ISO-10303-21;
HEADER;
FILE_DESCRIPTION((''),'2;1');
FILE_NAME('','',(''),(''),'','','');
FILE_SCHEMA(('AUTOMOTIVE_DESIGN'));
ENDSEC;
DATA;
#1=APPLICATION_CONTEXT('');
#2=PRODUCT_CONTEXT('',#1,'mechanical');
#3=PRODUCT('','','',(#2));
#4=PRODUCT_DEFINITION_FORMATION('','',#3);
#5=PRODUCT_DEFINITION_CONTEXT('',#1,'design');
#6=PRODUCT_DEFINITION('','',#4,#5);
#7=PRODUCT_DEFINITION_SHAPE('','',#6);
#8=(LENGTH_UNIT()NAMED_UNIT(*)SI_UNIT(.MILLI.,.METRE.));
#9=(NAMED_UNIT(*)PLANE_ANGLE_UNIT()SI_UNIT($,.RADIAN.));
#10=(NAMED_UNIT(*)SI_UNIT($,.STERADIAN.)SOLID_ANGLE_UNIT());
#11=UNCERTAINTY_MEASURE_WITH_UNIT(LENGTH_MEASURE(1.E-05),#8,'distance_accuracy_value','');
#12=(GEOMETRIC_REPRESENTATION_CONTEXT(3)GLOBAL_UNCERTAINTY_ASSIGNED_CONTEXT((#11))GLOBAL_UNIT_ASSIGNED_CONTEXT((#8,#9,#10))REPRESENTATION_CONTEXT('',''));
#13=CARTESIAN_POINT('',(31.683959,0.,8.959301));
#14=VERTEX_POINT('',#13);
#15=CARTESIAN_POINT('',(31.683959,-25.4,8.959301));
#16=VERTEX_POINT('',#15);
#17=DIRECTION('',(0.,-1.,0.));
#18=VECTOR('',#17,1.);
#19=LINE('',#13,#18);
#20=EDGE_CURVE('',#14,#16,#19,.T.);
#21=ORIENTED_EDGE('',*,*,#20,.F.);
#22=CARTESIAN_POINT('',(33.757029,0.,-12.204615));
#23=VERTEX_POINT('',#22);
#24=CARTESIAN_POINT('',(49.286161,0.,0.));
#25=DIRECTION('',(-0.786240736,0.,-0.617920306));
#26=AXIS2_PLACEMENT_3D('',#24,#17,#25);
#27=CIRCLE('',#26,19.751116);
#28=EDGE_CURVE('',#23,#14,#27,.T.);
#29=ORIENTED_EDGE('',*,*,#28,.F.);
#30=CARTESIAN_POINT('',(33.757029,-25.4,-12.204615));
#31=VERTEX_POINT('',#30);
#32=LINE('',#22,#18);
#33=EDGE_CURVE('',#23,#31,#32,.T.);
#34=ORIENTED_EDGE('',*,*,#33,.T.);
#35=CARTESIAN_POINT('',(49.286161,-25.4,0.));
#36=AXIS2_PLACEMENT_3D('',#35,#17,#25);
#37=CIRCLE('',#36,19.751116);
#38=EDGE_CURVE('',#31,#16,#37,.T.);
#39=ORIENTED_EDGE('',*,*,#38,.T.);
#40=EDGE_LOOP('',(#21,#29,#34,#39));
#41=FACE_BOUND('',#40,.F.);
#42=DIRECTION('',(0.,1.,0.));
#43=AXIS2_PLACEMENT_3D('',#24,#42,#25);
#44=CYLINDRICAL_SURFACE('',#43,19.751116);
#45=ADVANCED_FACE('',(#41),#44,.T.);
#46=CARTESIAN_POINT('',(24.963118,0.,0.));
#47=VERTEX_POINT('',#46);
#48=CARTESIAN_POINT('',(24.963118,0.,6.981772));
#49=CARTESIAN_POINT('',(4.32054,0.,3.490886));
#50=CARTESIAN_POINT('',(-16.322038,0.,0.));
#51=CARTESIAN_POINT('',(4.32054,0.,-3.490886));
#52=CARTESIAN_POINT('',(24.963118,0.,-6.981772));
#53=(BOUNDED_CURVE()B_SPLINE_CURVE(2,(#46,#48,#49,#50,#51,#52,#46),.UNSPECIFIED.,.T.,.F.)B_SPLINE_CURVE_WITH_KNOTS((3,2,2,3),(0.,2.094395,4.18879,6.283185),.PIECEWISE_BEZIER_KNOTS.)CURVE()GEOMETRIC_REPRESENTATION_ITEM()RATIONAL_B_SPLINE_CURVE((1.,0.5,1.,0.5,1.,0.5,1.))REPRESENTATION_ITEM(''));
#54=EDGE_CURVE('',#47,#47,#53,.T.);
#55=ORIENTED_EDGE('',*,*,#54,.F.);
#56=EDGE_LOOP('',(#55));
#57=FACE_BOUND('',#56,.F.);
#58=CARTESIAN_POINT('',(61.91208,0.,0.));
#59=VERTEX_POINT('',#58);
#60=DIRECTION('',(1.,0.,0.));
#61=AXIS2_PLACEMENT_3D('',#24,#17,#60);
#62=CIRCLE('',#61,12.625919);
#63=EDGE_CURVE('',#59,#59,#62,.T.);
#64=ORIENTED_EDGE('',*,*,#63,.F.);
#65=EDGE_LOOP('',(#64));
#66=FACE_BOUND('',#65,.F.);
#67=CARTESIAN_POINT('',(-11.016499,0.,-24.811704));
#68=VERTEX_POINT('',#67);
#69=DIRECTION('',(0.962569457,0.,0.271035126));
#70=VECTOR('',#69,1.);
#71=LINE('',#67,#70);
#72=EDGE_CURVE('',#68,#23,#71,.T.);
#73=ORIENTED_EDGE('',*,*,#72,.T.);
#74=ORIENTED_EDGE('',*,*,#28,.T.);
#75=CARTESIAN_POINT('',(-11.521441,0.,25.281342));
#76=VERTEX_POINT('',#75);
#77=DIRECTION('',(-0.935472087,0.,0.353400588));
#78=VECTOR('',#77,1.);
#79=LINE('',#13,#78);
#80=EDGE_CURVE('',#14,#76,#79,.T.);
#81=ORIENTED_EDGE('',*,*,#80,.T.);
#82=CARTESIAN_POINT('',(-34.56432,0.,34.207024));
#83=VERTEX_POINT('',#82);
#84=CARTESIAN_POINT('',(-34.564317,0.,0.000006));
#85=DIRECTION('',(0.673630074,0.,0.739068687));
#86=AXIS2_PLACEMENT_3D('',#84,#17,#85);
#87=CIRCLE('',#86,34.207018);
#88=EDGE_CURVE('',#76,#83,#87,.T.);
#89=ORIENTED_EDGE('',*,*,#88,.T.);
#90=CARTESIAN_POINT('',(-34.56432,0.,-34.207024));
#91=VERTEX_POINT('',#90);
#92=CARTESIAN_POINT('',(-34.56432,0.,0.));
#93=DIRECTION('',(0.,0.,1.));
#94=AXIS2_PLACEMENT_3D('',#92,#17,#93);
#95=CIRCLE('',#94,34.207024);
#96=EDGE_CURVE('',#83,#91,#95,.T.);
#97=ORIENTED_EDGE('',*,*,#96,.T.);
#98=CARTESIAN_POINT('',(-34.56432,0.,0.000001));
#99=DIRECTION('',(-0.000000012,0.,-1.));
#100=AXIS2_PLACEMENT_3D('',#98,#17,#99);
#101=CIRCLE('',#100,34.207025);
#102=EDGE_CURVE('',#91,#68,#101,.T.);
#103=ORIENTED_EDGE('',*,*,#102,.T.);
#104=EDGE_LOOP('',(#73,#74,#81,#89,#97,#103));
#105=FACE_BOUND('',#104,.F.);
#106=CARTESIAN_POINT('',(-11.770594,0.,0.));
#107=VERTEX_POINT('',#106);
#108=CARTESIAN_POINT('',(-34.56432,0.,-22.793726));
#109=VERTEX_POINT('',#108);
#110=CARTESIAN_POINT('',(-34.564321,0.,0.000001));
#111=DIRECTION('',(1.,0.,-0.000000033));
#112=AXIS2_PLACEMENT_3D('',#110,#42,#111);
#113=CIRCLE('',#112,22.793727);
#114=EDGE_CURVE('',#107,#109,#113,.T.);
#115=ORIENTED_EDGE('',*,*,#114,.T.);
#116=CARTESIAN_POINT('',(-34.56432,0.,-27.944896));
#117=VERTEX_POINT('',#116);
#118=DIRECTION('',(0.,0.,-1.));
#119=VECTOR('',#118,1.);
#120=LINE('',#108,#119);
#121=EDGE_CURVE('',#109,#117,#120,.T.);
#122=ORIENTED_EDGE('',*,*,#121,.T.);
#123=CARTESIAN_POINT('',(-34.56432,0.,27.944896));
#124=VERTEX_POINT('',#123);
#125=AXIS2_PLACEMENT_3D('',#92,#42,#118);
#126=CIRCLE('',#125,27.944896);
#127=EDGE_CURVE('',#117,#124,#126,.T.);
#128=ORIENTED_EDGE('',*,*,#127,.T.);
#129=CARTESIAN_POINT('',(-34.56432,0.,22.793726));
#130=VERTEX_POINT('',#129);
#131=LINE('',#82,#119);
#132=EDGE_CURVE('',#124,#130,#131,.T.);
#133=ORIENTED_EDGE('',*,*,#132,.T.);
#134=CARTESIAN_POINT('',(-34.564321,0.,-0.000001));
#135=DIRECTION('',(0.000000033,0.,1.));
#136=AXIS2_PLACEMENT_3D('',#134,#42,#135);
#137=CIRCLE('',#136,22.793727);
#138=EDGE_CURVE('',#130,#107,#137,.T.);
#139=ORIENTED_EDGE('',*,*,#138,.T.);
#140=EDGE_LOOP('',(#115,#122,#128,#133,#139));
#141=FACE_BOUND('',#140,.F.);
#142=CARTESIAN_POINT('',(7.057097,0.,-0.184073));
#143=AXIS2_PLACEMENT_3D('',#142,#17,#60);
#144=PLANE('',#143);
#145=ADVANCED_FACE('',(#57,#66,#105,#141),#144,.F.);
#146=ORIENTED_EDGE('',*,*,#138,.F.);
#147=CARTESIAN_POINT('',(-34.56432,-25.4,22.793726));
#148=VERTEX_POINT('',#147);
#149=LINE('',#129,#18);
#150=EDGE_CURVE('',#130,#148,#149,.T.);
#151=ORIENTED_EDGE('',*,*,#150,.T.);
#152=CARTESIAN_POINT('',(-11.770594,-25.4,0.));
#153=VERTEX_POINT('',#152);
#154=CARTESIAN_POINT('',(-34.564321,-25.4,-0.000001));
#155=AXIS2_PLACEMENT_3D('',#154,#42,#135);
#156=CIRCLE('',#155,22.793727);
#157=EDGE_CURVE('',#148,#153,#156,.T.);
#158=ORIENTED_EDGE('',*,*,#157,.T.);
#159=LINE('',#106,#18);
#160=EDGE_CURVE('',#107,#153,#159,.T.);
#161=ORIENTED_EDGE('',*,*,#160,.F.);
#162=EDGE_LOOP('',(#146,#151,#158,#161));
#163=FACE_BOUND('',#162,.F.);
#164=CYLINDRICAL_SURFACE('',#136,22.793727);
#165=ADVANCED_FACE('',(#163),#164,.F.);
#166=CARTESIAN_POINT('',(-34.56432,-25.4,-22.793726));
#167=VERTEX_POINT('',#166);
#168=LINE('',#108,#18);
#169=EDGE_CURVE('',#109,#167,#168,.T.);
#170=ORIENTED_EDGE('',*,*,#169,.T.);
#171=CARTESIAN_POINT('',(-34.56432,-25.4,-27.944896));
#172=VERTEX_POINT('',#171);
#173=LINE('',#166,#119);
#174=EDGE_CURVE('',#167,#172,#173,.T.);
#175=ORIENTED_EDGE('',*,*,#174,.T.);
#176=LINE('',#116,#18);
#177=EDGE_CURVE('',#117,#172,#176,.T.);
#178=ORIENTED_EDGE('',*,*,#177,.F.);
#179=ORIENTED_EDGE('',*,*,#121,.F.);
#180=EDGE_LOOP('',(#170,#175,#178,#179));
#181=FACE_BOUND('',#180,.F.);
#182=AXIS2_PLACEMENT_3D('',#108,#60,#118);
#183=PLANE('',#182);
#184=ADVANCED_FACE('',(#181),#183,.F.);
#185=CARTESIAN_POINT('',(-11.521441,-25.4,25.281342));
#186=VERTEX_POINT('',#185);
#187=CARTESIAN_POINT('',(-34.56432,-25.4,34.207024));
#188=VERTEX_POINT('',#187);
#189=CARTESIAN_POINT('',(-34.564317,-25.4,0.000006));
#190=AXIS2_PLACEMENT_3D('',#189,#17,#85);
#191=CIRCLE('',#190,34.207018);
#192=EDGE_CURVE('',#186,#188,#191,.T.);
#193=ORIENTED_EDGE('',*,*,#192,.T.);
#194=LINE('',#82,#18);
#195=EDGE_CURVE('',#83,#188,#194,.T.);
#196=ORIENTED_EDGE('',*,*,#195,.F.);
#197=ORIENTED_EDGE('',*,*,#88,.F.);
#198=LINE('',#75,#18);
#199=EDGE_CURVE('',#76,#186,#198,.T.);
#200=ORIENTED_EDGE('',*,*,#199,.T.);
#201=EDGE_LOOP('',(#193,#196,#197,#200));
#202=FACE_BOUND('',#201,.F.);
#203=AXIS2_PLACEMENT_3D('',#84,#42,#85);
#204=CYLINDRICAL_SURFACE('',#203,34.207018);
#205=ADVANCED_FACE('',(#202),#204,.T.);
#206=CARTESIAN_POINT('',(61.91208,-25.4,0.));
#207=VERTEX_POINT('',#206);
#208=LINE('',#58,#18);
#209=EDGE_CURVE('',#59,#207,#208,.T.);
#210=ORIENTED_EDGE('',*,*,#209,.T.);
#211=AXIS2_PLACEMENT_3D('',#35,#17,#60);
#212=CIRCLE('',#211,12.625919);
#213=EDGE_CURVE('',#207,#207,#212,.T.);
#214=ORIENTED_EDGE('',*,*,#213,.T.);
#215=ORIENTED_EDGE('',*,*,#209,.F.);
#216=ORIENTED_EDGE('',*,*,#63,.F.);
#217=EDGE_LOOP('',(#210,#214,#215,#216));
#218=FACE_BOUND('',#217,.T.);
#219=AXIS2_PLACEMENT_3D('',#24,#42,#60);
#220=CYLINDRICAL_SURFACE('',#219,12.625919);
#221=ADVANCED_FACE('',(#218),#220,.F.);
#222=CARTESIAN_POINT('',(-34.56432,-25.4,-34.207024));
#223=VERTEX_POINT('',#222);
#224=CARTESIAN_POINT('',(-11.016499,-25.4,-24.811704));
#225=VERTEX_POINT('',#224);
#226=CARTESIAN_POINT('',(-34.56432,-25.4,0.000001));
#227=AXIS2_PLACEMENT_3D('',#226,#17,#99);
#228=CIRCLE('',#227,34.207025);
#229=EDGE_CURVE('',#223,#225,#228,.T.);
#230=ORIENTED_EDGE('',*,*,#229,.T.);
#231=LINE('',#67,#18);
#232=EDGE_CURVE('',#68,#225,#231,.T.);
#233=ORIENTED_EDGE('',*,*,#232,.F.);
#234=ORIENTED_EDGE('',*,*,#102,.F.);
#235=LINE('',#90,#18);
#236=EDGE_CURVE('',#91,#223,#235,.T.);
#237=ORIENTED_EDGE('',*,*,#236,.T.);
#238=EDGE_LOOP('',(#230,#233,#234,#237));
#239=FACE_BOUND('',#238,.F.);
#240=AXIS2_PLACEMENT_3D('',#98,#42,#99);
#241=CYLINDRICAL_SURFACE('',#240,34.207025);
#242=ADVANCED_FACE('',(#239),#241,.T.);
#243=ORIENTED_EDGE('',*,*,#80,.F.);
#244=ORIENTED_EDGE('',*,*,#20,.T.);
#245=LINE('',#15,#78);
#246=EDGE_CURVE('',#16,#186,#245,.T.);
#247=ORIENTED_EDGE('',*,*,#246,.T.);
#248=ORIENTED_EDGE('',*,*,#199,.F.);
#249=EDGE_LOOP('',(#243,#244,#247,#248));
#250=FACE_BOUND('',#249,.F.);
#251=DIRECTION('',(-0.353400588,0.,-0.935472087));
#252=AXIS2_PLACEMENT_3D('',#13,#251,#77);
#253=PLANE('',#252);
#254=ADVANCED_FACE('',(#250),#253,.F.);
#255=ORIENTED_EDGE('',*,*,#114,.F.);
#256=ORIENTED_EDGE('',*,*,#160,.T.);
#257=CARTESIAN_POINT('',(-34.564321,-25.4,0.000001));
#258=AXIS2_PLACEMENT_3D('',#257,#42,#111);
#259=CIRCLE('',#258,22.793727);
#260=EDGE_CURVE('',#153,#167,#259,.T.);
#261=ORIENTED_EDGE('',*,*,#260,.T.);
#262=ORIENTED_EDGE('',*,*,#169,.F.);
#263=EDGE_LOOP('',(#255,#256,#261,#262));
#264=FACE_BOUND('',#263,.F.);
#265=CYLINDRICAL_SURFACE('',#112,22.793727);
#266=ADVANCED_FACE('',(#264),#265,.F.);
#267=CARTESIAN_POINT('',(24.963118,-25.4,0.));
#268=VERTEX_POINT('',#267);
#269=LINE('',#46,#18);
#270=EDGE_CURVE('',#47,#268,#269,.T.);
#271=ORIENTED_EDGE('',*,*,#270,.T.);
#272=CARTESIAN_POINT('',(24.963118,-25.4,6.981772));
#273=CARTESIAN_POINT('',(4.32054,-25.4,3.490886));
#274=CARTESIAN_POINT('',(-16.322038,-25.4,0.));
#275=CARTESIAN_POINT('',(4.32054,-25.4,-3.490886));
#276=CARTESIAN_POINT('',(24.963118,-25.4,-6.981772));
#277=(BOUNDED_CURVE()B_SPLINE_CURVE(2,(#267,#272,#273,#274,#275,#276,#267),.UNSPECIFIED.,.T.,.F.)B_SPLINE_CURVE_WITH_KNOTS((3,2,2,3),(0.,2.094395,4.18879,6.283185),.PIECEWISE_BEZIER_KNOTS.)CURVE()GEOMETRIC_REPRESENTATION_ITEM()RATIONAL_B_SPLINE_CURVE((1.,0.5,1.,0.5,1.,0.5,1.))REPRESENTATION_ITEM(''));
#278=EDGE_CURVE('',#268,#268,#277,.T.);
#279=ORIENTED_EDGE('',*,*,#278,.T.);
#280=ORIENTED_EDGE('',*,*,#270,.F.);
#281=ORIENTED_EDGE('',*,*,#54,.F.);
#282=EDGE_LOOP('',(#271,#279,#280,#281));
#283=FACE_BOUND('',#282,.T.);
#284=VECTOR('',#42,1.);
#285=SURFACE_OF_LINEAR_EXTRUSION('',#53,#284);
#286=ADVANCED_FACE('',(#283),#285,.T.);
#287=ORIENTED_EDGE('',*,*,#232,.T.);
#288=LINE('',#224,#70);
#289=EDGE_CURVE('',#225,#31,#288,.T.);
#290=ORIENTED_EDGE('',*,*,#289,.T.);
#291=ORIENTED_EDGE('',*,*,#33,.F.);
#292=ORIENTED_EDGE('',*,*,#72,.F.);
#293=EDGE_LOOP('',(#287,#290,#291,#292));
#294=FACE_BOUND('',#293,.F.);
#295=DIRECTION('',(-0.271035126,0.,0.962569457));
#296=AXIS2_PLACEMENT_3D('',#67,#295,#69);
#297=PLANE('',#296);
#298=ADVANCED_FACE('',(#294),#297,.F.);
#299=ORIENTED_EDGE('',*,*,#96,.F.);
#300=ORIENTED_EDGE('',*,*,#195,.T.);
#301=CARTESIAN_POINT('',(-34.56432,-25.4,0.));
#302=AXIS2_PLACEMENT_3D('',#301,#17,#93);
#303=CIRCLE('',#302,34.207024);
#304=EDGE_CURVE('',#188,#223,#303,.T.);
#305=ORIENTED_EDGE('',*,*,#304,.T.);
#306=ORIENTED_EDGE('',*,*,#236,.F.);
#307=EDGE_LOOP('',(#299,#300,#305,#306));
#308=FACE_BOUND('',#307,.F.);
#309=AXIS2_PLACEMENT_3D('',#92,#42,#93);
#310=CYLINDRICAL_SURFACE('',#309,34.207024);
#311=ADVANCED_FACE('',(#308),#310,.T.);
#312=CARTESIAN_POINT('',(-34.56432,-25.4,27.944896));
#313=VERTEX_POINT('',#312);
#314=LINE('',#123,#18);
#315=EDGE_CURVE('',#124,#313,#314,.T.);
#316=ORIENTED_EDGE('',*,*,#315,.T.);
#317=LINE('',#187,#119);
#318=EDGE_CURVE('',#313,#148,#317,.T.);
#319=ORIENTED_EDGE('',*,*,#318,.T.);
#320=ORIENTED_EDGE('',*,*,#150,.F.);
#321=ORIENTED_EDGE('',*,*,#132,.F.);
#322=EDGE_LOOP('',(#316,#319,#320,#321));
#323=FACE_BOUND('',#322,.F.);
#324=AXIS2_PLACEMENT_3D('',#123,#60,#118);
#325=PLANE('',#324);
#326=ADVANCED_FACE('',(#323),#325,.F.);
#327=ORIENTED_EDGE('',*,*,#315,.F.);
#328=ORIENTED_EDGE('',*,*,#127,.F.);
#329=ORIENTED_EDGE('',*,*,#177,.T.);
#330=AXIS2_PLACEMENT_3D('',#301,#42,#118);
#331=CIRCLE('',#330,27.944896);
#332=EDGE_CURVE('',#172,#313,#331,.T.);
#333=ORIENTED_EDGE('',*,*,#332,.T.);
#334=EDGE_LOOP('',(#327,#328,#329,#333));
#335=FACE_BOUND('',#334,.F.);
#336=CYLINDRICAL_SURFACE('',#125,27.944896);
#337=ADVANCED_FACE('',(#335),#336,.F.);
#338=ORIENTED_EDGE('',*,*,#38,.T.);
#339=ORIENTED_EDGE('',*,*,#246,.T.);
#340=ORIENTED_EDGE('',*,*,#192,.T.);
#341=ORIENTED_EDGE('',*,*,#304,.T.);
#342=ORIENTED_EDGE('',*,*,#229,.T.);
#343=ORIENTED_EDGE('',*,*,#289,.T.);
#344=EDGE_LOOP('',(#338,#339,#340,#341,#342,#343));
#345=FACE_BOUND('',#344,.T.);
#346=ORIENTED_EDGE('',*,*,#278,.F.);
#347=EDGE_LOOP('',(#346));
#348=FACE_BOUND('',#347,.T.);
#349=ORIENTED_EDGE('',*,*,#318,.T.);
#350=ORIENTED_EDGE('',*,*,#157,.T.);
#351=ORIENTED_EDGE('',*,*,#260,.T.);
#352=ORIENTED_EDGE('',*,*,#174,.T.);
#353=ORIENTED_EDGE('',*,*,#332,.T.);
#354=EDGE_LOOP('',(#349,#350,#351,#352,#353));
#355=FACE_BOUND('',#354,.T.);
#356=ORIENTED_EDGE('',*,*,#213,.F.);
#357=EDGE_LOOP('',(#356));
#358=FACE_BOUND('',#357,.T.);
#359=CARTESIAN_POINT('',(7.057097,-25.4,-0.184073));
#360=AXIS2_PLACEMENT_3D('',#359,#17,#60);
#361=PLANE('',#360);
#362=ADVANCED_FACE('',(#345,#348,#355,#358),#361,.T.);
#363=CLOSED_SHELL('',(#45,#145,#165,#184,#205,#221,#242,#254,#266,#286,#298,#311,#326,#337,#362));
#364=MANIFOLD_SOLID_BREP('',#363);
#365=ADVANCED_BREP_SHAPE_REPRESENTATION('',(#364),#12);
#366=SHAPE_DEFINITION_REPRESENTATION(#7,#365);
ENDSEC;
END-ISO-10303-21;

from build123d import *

# Parameters (mm, degrees)
F0_R     = 12.625919
F1_DEPTH = 25.4


with BuildPart() as f1:
    # F0 (on Front) → F1 (new body)
    with BuildSketch(Plane.XZ):
        with BuildLine():
            ThreePointArc((-34.56432, 22.793726), (-18.446722, 16.117598), (-11.770594, 0))
            ThreePointArc((-11.770594, 0), (-18.446722, -16.117598), (-34.56432, -22.793726))
            Line((-34.56432, -22.793726), (-34.56432, -27.944896))
            Line((-34.56432, -27.944896), (-34.56432, -34.207024))
            ThreePointArc((-34.56432, -34.207024), (-21.887846, -31.771489), (-11.016499, -24.811704))
            Line((-11.016499, -24.811704), (33.757029, -12.204615))
            ThreePointArc((33.757029, -12.204615), (68.943199, 1.925467), (31.683959, 8.959301))
            Line((31.683959, 8.959301), (-11.521441, 25.281342))
            ThreePointArc((-11.521441, 25.281342), (-22.208733, 31.897649), (-34.56432, 34.207024))
            Line((-34.56432, 34.207024), (-34.56432, 27.944896))
            Line((-34.56432, 27.944896), (-34.56432, 22.793726))
        make_face()
        with BuildLine():
            add(Edge.make_bspline(
                [(24.963118, 0), (24.963118, 6.981772), (4.32054, 3.490886), (-16.322038, 0), (4.32054, -3.490886), (24.963118, -6.981772), (24.963118, 0)],
                knots=[0, 0, 0, 2.094395, 2.094395, 4.18879, 4.18879, 6.283185, 6.283185, 6.283185], degree=2, weights=[1, 0.5, 1, 0.5, 1, 0.5, 1]))
        make_face(mode=Mode.SUBTRACT)
        with Locations((49.286161, 0)):
            Circle(F0_R, mode=Mode.SUBTRACT)
        with BuildLine():
            ThreePointArc((-34.56432, -27.944896), (-62.509216, 0), (-34.56432, 27.944896))
            Line((-34.56432, 27.944896), (-34.56432, 34.207024))
            ThreePointArc((-34.56432, 34.207024), (-68.771344, 0), (-34.56432, -34.207024))
            Line((-34.56432, -34.207024), (-34.56432, -27.944896))
        make_face()
    extrude(amount=F1_DEPTH)


solid = f1.part
